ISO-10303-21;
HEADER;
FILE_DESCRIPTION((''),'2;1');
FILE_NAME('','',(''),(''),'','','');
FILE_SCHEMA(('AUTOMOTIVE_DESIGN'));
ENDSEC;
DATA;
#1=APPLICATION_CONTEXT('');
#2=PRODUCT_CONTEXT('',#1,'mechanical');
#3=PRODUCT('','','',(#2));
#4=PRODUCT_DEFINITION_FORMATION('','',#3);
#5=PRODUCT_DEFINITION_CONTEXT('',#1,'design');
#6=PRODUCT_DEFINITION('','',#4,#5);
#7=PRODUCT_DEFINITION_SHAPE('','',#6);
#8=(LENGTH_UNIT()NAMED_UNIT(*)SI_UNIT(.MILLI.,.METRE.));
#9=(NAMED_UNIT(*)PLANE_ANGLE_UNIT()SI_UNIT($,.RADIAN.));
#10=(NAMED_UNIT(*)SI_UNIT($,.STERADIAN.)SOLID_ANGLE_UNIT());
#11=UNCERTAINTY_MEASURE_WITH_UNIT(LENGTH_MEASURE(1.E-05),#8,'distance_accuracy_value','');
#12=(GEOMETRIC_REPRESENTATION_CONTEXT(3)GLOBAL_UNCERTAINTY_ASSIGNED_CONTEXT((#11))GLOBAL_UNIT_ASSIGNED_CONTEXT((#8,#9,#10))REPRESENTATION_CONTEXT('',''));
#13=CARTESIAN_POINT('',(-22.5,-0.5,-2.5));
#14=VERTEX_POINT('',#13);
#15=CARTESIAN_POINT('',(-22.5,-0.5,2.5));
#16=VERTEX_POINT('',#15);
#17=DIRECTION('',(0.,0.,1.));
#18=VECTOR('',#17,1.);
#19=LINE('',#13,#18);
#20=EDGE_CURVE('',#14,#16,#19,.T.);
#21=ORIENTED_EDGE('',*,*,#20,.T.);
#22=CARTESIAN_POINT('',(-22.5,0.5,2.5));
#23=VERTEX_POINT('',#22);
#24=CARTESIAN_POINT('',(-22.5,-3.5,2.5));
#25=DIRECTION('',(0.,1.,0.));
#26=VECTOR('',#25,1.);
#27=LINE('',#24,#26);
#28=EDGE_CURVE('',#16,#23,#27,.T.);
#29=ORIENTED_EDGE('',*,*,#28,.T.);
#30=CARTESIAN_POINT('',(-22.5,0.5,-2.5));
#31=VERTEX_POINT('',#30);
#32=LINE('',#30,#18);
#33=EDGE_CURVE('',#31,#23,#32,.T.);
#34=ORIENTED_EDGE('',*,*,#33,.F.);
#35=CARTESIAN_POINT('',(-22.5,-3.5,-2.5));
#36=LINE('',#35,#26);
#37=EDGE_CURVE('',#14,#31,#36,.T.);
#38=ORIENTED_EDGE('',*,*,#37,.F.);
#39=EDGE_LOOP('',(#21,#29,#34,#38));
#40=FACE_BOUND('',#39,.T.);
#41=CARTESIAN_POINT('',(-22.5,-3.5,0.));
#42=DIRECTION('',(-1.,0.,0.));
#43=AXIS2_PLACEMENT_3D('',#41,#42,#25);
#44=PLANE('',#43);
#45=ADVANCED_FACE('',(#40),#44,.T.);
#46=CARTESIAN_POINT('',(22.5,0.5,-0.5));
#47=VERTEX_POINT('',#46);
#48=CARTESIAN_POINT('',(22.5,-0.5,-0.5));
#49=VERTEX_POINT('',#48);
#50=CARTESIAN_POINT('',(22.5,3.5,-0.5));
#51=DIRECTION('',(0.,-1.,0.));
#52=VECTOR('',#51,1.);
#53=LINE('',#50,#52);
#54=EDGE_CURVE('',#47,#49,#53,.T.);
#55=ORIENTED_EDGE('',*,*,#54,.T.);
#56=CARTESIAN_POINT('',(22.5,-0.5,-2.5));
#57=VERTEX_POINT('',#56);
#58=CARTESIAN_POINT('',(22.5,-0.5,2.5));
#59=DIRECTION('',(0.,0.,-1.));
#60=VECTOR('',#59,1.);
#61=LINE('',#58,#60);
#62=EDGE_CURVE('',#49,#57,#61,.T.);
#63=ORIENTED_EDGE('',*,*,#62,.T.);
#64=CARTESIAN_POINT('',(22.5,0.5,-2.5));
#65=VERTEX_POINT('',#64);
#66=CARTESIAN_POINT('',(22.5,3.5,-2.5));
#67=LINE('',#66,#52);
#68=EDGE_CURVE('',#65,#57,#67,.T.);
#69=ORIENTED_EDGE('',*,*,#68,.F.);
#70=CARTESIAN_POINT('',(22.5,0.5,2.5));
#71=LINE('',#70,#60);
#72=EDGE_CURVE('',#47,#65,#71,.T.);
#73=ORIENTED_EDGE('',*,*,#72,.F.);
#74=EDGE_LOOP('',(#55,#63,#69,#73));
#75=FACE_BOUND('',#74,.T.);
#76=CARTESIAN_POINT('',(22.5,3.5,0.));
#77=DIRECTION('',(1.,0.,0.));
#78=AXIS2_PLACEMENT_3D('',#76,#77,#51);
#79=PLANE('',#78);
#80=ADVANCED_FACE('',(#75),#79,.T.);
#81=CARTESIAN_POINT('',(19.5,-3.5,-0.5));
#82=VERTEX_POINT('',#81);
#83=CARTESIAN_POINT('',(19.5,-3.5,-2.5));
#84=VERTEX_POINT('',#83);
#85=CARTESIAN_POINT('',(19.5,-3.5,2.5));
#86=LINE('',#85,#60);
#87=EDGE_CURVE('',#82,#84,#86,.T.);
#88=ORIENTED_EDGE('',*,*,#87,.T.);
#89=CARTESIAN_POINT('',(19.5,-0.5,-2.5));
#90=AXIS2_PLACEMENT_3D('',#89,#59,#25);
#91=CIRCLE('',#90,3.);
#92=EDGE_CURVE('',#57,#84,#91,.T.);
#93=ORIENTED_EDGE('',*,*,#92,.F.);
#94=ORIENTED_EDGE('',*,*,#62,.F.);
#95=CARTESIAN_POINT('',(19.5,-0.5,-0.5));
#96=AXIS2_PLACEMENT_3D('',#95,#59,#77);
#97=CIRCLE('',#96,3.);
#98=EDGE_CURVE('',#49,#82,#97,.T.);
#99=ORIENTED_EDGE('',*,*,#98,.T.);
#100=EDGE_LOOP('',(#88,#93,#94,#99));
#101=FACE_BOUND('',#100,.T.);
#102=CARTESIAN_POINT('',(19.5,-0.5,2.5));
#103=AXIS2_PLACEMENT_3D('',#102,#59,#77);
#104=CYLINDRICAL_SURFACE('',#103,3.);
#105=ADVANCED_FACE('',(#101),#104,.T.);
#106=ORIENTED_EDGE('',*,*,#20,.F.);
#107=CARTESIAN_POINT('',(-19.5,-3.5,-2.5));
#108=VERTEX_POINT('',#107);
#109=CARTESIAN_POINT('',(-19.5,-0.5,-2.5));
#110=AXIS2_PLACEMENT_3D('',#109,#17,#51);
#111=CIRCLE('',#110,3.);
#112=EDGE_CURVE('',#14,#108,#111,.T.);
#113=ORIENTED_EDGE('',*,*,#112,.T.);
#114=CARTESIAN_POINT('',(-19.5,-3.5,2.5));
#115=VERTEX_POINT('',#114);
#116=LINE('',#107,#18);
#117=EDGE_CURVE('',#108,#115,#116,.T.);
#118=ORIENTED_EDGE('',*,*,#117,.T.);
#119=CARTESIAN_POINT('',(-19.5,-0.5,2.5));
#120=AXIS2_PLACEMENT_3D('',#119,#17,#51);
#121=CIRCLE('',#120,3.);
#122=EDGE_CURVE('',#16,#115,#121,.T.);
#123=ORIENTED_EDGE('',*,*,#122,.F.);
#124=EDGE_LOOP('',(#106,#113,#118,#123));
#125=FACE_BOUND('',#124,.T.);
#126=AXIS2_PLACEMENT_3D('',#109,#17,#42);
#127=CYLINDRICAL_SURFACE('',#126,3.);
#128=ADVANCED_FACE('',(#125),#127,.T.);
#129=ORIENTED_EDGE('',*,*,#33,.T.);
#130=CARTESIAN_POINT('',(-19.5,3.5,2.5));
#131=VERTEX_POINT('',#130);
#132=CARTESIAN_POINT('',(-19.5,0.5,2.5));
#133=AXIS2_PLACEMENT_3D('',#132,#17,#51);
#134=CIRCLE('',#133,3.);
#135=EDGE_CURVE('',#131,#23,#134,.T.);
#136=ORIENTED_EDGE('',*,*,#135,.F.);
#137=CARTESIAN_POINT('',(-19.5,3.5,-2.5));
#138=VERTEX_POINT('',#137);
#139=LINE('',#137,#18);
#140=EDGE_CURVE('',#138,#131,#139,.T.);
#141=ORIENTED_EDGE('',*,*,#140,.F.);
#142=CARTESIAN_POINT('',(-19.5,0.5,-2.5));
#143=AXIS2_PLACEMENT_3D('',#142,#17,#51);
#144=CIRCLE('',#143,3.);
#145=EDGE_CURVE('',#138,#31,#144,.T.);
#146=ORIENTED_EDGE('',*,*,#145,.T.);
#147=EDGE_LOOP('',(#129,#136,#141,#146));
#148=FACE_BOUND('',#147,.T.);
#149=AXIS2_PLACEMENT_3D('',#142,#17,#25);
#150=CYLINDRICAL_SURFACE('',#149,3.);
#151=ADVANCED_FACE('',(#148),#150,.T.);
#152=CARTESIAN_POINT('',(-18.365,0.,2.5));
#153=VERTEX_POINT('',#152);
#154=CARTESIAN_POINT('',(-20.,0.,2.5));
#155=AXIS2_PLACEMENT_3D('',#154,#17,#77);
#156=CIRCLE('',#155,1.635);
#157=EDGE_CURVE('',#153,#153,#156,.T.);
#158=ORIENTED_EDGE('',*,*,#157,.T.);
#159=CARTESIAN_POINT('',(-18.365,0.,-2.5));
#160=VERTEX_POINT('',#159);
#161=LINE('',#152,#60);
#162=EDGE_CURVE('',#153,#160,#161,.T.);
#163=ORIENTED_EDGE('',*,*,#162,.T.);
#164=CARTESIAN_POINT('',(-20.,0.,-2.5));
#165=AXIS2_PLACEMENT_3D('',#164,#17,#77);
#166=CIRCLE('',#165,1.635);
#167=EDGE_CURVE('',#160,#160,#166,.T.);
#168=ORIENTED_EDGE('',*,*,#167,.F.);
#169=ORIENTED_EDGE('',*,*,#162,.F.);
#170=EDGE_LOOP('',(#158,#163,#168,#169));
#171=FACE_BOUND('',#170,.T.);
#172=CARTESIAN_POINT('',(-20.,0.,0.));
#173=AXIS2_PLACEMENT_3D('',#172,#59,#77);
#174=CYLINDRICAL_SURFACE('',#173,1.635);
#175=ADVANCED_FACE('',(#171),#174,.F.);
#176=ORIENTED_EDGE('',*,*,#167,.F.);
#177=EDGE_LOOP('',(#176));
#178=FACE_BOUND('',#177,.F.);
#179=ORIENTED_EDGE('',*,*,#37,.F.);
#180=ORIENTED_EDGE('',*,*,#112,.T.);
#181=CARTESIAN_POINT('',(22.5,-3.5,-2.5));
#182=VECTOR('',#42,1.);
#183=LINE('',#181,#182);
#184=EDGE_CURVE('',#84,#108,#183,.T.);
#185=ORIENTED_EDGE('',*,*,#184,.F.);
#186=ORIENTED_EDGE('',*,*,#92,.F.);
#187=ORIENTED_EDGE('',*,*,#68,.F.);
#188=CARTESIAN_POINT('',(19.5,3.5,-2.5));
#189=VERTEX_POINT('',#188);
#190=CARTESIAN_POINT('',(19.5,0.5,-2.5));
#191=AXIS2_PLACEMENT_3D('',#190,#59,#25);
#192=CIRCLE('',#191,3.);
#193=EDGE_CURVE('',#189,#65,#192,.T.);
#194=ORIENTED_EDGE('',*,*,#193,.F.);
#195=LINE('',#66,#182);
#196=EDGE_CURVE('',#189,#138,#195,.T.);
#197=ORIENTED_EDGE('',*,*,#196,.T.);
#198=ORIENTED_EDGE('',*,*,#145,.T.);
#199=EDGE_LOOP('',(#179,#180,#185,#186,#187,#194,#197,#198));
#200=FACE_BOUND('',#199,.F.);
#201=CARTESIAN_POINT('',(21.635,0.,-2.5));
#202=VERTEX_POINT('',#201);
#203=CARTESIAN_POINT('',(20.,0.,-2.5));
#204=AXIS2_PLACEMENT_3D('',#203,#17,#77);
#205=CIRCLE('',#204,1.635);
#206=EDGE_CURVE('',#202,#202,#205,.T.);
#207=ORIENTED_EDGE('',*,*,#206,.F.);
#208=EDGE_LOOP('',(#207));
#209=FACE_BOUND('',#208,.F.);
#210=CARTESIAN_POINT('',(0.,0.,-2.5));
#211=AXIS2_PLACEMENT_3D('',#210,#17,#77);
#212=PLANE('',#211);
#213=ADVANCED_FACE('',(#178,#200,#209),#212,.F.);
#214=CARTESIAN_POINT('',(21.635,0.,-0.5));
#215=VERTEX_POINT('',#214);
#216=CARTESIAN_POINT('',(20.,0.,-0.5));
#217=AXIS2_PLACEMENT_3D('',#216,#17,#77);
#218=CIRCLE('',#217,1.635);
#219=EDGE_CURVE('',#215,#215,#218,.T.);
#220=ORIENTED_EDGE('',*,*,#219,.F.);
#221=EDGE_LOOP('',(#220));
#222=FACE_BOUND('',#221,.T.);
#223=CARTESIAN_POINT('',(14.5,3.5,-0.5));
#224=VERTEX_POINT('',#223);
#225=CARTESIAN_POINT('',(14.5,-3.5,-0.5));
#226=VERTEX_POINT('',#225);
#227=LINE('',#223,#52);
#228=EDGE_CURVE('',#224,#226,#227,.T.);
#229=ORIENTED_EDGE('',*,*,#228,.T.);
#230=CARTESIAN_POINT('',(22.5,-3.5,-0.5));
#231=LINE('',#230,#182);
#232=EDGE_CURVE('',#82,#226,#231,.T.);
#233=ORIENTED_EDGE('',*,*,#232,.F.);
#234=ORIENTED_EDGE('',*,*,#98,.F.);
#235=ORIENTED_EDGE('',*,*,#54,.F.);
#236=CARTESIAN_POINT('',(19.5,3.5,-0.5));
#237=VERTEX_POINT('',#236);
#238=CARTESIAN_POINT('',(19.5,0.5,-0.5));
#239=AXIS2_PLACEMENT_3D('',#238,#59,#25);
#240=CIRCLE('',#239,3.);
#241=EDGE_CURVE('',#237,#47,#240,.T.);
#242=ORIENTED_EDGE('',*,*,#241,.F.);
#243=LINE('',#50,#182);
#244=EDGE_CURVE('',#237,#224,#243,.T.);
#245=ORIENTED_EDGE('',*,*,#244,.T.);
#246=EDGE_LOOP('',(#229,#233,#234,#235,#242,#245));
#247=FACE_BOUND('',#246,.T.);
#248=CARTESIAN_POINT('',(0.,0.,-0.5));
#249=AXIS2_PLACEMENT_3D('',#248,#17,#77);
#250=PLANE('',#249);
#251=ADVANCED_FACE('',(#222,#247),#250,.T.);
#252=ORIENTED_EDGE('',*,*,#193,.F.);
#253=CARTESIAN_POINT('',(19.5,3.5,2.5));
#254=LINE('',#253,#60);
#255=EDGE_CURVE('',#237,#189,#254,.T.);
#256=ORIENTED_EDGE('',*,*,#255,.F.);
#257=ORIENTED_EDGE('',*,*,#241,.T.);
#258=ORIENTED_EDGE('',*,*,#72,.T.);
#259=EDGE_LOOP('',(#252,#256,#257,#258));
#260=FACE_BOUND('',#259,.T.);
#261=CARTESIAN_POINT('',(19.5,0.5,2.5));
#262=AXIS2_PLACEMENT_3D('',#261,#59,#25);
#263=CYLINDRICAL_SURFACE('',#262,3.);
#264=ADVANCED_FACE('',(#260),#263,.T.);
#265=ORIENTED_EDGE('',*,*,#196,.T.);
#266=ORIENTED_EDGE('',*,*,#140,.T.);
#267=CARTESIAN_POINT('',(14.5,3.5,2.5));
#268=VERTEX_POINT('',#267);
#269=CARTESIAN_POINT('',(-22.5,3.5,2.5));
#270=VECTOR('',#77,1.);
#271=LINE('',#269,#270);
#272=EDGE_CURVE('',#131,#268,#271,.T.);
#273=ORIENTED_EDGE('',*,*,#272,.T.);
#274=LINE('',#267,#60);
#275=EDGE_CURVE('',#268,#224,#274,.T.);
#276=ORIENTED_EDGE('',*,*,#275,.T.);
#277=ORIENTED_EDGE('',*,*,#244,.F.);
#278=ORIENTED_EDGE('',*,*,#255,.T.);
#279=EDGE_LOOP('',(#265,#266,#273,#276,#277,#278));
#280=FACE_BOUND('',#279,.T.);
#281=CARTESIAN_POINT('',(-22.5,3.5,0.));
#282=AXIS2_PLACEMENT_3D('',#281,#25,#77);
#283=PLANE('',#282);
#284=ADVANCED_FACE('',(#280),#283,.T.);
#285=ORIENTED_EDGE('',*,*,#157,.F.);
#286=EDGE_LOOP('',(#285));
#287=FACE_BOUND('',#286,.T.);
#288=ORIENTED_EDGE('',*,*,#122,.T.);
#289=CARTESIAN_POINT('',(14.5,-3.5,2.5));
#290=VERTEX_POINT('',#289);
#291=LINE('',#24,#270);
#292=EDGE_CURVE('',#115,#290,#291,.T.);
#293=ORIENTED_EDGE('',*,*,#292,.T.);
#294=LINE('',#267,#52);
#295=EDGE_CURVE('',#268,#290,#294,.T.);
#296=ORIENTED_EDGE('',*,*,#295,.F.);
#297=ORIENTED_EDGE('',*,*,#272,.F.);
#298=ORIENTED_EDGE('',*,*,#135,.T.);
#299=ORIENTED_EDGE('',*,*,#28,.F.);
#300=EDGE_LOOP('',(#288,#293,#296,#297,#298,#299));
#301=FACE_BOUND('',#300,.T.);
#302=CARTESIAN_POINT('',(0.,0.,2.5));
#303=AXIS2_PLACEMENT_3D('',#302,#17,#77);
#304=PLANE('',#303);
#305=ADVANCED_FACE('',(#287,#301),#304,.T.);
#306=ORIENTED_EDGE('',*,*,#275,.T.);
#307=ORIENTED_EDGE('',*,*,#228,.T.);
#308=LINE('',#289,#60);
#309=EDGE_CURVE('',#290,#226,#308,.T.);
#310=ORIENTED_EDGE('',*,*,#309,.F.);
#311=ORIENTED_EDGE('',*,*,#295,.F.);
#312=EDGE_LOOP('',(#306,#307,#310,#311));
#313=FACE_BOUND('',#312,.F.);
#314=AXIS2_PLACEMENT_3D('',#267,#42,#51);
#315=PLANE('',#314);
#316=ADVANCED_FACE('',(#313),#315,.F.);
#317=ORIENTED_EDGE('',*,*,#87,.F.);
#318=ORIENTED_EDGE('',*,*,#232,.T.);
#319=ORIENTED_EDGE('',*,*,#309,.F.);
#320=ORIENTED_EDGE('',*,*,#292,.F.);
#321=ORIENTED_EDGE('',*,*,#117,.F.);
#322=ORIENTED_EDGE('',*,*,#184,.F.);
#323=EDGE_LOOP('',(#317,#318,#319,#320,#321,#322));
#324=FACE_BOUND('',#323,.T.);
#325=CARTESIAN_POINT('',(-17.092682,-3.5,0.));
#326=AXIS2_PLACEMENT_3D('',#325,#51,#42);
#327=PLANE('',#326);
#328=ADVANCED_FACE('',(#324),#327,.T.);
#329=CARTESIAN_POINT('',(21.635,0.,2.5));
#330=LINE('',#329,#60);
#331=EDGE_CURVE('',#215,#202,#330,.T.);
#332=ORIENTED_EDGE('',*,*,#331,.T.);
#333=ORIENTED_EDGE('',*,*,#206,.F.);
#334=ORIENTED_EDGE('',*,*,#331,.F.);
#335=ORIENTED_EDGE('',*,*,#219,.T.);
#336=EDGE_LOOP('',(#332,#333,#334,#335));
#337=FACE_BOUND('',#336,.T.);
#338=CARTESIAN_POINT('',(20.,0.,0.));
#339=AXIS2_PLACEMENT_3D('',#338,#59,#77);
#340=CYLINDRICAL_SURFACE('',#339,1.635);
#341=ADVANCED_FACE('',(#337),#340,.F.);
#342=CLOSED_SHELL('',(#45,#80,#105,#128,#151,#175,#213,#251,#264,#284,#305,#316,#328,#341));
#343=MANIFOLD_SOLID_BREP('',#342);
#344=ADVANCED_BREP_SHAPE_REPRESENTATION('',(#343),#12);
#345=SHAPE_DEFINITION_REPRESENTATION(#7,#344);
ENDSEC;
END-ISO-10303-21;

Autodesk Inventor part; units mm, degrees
ref_plane "YZ Plane" through (0, 0, 0) normal (1, 0, 0) x (0, 1, 0)
ref_plane "XZ Plane" through (0, 0, 0) normal (0, 1, 0) x (-1, 0, 0)
ref_plane "XY Plane" through (0, 0, 0) normal (0, 0, 1) x (1, 0, 0)
sketch "スケッチ1" plane through (0, 0, 0) normal (0, 0, 1) x (1, 0, 0)
  line L0 (-22.5, 3.5) -> (22.5, 3.5)
  line L1 (22.5, 3.5) -> (22.5, -3.5)
  line L2 (22.5, -3.5) -> (-22.5, -3.5)
  line L3 (-22.5, -3.5) -> (-22.5, 3.5)
  line L4 (-22.5, 3.5) -> (22.5, -3.5) construction
  line L5 (22.5, 3.5) -> (-22.5, -3.5) construction
  line L6 (0, -6.37) -> (0, 6.37) construction
  line L7 (-34.37, 0) -> (34.37, 0) construction
  circle A0 centre (-20, 0) radius 4.55
  line L8 (22.5, -3.5) -> (22.5, 3.5)
  circle A1 centre (20, 0) radius 4.55
  circle A2 centre (-20, 0) radius 1.635
  circle A3 centre (20, 0) radius 1.635
  line L9 (14.5, 3.5) -> (14.5, -3.5)
  point P0 (0, 0)
  point P1 (-17.0927, 3.5)
  point P2 (-22.9073, 3.5)
  point P3 (-22.9073, -3.5)
  point P4 (-17.0927, -3.5)
  point P5 (17.0927, 3.5)
  point P6 (17.0927, -3.5)
  point P7 (22.9073, -3.5)
  point P8 (22.9073, 3.5)
  dimension "d1" = 7
  dimension "d2" = 20
  dimension "d3" = 45
  dimension "d4" = 9.1
  dimension "d12" = 3.27
  dimension "d13" = 8
  dimension "d16" = 3.27
extrude "押し出し1" add sketch "スケッチ1" along normal mid plane 5 contours L0 A0 L2 L3 | L0 L9 L2 A0 | L0 A1 L2 L9 | L0 L1 L2 A1 picked at (-19.7985, 2.8744) picked at (19.7985, -2.8744)
fillet "フィレット1" radius 3 4 edges at (-22.5, 3.5, 0) (-22.5, -3.5, 0) (22.5, -3.5, 0) (22.5, 3.5, 0)
extrude "押し出し3" cut sketch "スケッチ1" against normal blind 3 from surface at 2.5 contours L0 A1 L2 L9 | L0 L1 L2 A1 picked at (19.7985, -2.8744)
properties part number "link_arm_1"
